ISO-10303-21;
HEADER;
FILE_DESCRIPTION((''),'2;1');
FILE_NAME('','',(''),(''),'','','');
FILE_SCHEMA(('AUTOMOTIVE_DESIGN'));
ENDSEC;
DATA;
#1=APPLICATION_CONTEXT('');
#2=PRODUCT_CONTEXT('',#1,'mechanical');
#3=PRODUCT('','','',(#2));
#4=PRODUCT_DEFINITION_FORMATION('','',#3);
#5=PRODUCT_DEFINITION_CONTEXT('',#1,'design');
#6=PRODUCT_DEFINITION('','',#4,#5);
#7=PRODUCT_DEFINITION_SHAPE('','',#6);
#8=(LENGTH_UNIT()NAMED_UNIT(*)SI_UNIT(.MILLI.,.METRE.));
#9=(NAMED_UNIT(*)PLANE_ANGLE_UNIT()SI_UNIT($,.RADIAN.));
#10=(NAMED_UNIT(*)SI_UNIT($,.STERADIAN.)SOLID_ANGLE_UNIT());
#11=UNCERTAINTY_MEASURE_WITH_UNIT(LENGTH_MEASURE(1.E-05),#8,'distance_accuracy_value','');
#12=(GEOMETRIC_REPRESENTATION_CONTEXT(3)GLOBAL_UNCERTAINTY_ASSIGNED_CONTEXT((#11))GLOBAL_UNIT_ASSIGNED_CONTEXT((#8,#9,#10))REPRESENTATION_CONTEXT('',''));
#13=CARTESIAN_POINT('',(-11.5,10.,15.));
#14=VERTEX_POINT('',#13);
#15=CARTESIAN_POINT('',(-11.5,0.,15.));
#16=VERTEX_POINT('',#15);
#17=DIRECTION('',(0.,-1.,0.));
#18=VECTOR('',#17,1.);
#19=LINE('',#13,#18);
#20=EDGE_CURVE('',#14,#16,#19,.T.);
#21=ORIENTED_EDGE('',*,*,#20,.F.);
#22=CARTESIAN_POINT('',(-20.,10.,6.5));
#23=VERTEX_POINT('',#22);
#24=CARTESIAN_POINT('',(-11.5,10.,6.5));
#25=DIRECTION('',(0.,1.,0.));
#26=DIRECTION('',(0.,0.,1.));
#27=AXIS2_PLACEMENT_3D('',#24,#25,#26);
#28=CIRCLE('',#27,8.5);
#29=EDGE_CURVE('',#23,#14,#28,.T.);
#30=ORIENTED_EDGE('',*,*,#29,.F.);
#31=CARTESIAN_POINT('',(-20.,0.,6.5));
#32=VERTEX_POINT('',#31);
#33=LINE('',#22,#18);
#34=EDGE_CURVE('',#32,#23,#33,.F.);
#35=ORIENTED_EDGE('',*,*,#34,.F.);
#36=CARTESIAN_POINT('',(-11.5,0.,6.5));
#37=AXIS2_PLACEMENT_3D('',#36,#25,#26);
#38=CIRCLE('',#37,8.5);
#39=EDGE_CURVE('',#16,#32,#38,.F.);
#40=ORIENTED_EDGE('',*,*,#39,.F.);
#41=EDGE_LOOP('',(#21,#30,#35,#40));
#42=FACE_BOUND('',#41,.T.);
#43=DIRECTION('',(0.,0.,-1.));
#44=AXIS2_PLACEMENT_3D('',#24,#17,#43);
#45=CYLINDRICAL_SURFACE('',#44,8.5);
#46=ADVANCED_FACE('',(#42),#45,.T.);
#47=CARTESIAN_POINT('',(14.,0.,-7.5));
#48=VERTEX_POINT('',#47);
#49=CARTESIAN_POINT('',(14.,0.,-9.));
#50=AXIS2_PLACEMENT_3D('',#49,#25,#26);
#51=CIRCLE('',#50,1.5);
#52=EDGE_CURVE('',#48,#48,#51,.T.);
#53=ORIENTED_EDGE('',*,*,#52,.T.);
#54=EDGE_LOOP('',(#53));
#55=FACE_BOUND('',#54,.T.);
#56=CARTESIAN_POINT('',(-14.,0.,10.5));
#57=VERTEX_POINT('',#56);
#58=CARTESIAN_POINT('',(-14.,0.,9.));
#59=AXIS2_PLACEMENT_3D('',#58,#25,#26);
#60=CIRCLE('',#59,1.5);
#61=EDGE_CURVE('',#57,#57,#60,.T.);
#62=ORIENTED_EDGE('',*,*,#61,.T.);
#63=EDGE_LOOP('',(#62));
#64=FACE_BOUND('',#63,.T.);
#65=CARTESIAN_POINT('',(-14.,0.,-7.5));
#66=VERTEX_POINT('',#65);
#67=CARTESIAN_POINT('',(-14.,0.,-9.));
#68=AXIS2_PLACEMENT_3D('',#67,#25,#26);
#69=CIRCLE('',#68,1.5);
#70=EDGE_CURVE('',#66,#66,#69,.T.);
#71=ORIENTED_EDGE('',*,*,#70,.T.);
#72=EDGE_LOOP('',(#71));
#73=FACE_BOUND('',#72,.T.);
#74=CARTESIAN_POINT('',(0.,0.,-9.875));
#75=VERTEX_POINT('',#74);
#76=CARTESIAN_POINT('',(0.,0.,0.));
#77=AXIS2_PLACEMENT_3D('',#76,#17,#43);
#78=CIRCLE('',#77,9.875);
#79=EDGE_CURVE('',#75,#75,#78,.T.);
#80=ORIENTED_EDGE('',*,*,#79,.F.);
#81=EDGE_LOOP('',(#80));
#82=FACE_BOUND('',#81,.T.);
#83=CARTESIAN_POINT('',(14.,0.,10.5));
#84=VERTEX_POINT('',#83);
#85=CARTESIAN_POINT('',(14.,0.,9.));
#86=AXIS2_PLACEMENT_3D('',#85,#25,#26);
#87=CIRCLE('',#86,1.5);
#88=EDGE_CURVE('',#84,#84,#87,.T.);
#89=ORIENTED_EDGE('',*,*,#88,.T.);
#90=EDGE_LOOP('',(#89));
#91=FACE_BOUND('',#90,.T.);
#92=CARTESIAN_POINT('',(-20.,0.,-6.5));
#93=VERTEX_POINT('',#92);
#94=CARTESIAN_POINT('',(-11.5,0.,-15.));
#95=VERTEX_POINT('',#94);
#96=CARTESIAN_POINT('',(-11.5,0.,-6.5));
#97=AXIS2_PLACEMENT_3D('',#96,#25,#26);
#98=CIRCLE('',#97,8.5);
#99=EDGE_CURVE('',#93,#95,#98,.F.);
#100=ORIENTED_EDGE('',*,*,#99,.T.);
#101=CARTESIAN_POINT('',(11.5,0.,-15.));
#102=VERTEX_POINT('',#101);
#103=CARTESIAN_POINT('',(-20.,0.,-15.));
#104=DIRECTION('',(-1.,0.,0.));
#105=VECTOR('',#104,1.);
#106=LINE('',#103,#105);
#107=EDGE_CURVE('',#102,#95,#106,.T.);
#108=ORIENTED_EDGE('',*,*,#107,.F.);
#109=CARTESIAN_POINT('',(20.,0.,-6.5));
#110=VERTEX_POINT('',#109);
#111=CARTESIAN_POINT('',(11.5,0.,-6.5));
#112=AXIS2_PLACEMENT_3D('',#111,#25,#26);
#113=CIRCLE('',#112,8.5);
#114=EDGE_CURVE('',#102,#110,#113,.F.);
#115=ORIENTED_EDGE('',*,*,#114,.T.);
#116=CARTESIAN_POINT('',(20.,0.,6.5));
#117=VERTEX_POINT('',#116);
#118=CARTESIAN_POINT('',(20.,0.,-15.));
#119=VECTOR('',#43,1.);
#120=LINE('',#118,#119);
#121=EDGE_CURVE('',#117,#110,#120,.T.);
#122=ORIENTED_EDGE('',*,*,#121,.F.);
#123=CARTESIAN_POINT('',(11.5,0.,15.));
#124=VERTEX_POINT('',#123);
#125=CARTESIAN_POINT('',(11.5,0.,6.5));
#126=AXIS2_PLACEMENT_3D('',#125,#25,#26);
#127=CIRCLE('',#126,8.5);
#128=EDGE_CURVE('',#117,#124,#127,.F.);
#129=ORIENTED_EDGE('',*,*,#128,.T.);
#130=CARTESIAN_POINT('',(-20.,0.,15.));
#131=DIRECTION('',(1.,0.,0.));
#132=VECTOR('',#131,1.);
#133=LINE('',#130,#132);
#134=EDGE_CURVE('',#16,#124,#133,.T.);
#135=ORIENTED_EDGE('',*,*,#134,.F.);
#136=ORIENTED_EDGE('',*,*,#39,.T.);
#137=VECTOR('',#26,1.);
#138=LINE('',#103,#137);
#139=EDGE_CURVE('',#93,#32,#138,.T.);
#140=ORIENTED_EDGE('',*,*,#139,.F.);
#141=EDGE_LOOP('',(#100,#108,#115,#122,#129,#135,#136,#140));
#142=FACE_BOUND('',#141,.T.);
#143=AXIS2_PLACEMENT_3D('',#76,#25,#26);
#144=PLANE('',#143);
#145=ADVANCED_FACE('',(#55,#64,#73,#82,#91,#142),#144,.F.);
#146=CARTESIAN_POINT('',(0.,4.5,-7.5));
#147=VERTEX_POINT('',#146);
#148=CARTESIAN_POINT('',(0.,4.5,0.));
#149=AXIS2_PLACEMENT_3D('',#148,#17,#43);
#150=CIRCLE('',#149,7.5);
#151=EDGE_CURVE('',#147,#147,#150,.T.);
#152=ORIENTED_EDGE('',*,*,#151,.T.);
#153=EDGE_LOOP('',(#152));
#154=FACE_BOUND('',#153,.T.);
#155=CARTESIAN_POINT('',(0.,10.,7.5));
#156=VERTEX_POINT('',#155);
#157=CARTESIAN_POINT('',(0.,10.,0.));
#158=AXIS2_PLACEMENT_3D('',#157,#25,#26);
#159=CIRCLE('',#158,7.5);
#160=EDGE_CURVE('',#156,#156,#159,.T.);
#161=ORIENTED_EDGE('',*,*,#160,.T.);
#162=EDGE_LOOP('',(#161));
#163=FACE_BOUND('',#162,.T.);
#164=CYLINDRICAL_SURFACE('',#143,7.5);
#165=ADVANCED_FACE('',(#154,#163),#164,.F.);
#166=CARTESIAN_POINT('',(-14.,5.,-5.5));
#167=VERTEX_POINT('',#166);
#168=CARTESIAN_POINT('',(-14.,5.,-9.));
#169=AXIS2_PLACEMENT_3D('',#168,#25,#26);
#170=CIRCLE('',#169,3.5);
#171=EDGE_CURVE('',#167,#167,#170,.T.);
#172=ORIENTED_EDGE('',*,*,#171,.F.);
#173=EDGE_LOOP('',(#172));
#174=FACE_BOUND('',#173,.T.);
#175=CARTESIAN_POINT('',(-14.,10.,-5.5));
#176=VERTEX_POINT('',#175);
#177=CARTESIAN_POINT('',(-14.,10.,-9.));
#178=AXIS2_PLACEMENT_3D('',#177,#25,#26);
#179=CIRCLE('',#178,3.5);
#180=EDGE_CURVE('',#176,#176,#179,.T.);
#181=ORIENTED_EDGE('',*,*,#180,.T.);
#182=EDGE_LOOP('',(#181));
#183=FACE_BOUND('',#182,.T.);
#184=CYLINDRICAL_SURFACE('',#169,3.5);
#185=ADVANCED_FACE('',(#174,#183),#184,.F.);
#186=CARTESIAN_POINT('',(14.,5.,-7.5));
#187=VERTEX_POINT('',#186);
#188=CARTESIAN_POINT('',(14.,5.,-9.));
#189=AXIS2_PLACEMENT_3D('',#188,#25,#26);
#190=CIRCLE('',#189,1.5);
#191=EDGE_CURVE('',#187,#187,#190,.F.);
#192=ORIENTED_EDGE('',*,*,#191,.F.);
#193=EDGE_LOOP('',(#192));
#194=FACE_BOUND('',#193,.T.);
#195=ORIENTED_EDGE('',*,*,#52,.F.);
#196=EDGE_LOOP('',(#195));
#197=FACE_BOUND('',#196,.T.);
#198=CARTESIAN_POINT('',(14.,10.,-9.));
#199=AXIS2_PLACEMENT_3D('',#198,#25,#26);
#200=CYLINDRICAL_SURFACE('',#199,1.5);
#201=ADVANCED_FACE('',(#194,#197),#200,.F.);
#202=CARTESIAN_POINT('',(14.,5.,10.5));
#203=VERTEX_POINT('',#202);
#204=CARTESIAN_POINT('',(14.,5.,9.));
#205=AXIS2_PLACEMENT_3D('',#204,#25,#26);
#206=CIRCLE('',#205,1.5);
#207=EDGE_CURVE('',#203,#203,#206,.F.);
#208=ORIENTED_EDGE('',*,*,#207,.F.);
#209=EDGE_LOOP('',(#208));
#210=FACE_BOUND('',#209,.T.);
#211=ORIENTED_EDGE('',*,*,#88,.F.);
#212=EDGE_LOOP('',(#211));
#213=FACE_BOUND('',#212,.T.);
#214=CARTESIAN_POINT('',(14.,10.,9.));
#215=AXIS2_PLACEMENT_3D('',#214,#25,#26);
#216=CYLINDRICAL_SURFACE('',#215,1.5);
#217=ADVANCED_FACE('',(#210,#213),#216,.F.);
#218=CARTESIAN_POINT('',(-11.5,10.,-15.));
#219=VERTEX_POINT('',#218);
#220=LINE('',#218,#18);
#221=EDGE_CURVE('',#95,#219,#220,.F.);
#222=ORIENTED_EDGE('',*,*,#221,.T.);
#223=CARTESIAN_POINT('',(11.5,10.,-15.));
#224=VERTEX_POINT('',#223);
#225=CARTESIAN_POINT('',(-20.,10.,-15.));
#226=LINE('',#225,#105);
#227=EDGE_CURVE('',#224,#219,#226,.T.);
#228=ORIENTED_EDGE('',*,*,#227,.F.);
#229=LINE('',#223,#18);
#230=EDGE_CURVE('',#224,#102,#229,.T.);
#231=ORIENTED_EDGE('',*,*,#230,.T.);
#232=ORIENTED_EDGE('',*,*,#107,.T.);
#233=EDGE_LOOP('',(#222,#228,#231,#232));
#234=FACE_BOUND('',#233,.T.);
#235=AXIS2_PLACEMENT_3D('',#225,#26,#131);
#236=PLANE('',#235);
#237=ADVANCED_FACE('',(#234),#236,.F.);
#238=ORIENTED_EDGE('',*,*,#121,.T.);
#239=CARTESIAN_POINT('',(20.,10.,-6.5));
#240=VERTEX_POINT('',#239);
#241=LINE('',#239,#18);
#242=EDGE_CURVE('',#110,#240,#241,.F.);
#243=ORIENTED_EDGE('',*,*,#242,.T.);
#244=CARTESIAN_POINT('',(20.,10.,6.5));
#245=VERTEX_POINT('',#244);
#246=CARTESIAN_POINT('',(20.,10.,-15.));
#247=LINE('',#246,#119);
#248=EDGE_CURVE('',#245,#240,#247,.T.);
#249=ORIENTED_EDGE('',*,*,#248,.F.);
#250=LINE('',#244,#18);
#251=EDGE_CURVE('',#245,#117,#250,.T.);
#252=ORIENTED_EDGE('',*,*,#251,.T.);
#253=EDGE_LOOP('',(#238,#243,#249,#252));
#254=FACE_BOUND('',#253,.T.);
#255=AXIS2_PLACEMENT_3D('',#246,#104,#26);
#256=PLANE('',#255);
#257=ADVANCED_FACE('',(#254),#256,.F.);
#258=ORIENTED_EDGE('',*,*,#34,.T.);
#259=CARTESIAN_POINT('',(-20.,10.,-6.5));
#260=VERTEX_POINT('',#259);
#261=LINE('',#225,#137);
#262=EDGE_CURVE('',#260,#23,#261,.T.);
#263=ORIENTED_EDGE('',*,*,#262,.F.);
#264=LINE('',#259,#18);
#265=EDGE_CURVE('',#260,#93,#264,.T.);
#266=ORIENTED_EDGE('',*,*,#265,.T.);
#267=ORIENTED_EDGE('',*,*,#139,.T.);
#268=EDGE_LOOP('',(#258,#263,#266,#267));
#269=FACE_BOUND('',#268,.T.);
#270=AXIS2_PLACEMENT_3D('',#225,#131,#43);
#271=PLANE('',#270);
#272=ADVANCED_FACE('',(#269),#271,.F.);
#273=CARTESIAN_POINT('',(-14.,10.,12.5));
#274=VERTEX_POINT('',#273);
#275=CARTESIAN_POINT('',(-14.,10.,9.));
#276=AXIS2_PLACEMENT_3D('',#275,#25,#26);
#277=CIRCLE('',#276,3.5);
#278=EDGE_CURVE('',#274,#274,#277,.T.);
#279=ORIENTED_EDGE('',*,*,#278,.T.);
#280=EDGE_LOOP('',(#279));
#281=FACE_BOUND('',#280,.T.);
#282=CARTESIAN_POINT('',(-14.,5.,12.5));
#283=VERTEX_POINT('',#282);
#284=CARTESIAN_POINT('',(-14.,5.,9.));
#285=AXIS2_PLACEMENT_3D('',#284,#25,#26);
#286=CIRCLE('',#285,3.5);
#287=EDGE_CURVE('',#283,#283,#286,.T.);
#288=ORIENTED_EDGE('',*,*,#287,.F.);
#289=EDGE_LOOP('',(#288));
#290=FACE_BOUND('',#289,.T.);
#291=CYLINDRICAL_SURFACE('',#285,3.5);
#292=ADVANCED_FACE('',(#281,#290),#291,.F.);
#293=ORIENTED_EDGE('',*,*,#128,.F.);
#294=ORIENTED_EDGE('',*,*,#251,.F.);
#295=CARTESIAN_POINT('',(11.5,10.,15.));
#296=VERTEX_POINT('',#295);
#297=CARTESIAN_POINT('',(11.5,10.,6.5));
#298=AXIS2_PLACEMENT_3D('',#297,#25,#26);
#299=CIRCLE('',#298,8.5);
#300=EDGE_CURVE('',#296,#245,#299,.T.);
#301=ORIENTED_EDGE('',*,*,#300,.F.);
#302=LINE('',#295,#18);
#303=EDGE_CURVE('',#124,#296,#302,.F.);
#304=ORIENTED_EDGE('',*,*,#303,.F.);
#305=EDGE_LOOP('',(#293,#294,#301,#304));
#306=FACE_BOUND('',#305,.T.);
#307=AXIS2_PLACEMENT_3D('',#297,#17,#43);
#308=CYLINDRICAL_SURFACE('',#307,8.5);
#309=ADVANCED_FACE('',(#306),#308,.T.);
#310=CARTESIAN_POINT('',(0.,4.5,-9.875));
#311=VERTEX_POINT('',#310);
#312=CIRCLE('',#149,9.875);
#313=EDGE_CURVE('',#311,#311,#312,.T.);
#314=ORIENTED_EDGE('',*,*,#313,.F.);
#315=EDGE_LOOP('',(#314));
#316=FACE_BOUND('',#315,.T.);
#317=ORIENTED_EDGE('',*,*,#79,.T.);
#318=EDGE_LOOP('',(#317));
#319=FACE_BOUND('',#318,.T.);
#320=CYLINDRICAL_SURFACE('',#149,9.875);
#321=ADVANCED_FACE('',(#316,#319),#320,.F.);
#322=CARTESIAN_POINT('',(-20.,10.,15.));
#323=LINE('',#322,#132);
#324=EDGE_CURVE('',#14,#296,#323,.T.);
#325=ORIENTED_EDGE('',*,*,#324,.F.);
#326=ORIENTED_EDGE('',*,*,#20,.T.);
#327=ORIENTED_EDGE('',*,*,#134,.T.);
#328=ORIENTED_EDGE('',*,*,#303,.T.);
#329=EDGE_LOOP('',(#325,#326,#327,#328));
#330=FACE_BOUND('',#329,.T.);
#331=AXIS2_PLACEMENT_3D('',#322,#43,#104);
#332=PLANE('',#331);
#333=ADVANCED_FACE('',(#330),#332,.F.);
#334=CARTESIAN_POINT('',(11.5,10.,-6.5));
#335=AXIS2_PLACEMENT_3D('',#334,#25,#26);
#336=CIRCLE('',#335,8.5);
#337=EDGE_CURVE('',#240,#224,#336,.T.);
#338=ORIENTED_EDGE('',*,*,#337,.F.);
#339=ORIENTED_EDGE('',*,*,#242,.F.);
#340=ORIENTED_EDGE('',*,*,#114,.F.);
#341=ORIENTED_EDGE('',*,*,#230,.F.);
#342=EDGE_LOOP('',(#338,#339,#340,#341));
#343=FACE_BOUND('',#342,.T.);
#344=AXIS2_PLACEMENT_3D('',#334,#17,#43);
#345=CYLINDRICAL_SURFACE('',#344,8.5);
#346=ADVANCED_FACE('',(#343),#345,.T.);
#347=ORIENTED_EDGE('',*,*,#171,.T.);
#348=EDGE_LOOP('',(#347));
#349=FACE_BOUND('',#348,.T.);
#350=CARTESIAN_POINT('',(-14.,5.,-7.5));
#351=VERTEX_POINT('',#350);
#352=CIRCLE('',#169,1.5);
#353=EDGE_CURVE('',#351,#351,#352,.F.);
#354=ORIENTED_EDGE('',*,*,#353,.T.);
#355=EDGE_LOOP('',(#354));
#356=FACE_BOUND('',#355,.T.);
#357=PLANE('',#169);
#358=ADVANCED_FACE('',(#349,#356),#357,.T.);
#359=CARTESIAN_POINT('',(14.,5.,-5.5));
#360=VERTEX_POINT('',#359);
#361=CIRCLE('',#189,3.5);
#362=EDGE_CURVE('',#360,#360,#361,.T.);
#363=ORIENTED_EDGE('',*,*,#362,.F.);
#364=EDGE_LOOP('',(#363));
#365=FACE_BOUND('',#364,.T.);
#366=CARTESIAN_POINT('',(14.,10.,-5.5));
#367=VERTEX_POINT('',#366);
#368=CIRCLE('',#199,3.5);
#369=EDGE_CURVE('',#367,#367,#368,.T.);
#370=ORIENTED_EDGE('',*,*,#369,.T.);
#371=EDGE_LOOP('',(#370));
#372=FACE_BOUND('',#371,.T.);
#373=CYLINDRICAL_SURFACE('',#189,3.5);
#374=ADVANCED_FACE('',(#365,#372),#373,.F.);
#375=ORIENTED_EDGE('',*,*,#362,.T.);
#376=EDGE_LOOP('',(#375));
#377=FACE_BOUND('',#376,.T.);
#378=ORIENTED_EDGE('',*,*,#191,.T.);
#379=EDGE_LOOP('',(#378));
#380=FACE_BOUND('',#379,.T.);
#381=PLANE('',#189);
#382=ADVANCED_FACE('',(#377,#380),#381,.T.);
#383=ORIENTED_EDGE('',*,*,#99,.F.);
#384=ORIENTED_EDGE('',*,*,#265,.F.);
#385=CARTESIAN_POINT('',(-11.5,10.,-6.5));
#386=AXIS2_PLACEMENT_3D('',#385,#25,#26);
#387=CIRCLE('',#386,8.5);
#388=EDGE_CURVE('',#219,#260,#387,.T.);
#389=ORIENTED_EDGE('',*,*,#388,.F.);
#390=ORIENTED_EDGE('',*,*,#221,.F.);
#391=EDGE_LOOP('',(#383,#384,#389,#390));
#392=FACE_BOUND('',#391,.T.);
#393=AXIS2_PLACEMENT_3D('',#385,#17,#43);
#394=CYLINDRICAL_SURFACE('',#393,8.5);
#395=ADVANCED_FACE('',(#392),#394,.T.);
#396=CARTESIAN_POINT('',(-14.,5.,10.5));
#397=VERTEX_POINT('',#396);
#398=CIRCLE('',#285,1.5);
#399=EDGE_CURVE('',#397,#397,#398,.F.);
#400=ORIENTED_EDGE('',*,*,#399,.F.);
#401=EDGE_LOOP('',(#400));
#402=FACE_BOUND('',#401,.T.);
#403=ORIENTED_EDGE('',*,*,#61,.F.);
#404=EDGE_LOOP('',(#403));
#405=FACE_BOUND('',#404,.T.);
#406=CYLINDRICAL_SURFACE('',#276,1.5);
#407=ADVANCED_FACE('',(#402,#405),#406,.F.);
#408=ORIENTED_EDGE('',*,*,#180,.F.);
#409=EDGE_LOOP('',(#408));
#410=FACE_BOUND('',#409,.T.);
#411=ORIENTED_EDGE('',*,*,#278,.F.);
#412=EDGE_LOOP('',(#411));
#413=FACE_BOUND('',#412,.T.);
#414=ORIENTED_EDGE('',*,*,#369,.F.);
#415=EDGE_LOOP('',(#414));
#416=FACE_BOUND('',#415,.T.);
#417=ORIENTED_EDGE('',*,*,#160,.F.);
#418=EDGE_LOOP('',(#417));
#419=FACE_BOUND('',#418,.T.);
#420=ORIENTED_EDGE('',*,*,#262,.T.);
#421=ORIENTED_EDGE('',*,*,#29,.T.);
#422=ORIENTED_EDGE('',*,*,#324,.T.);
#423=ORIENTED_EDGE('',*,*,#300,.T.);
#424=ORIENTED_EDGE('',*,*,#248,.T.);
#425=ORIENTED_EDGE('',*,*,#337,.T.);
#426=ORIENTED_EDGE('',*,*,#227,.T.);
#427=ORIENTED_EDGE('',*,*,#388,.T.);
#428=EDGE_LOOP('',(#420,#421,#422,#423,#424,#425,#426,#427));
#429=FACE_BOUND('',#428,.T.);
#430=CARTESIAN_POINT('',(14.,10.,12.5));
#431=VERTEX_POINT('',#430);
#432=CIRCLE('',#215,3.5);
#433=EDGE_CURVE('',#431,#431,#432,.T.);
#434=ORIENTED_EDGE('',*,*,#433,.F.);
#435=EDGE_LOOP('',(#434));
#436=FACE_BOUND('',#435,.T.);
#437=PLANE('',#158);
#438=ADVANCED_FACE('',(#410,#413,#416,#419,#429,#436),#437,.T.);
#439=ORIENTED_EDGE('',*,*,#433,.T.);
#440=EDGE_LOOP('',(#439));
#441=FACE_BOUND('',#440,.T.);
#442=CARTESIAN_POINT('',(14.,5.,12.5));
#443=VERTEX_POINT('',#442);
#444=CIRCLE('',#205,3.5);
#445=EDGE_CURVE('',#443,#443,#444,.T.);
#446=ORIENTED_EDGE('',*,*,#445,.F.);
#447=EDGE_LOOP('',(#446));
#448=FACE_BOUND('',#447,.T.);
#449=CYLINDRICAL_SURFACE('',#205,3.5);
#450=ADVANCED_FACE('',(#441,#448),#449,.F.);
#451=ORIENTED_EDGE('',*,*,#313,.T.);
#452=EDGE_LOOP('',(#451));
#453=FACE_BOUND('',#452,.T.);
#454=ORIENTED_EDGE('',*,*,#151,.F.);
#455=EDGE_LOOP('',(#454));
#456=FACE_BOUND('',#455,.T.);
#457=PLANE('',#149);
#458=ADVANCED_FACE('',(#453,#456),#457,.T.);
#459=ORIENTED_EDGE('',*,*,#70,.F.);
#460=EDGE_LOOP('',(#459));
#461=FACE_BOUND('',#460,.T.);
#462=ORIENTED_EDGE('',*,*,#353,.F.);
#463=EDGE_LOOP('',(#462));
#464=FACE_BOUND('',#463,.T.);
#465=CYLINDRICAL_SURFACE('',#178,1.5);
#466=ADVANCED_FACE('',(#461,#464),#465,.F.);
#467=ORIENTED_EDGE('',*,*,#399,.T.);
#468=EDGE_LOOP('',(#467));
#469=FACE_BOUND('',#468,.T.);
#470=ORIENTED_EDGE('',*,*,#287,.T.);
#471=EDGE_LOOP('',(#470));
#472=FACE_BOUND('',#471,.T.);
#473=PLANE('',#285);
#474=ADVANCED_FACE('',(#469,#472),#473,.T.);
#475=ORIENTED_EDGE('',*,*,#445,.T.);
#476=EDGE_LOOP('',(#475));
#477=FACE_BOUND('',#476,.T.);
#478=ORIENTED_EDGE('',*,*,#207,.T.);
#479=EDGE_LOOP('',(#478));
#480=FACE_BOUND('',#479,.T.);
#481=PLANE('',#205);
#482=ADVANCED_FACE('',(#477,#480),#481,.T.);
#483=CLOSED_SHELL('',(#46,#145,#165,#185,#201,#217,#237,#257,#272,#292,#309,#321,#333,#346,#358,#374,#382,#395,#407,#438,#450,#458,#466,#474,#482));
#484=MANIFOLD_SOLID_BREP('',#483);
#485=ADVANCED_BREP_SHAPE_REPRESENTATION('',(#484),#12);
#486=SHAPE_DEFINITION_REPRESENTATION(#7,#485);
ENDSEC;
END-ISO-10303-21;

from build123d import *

# Parameters (mm, degrees)
SKETCH1_W             = 40
SKETCH1_H             = 30
BOSS_EXTRUDE1_DEPTH   = 10
SKETCH3_R             = 9.875
CUT_EXTRUDE1_DEPTH    = 4.5
SKETCH4_R             = 7.5
CUT_EXTRUDE2_DEPTH    = 27.925824036
F_3_0MM_DOWEL_HOLE1_D = 3
FILLET1_R             = 8.5
SKETCH9_R             = 3.5
CUT_EXTRUDE3_DEPTH    = 5


with BuildPart() as part:
    # Sketch1 → Boss-Extrude1 (new body)
    with BuildSketch(Plane(origin=(0, 0, 0), x_dir=(1, 0, 0), z_dir=(0, 1, 0))):
        Rectangle(SKETCH1_W, SKETCH1_H)
    extrude(amount=BOSS_EXTRUDE1_DEPTH)

    # Sketch3 → Cut-Extrude1 (cut)
    with BuildSketch(Plane.XZ):
        with Locations(Location((0, 0, 0), (0, 0, 270))):
            Circle(SKETCH3_R)
    extrude(amount=-CUT_EXTRUDE1_DEPTH, mode=Mode.SUBTRACT)

    # Sketch4 → Cut-Extrude2 (cut, through all)
    with BuildSketch(Plane(origin=(0, 10, 0), x_dir=(1, 0, 0), z_dir=(0, 1, 0))):
        with Locations(Location((0, 0, 0), (0, 0, 270))):
            Circle(SKETCH4_R)
    extrude(amount=-CUT_EXTRUDE2_DEPTH, mode=Mode.SUBTRACT)

    # Ø3.0mm Dowel Hole1 (through all)
    with Locations(Plane(origin=(0, 10, 0), x_dir=(1, 0, 0), z_dir=(0, 1, 0))):
        with Locations((-14, 9), (-14, -9), (14, -9), (14, 9)):
            Hole(F_3_0MM_DOWEL_HOLE1_D / 2)

    # Fillet1
    fillet1_edges = [part.edges().sort_by_distance(p)[0] for p in [
        (20, 5, 15),
        (-20, 5, 15),
        (-20, 5, -15),
        (20, 5, -15),
    ]]
    fillet(fillet1_edges, radius=FILLET1_R)

    # Sketch9 → Cut-Extrude3 (cut)
    with BuildSketch(Plane(origin=(0, 10, 0), x_dir=(1, 0, 0), z_dir=(0, 1, 0))):
        with Locations(Location((14, -9, 0), (0, 0, 270))):
            Circle(SKETCH9_R)
        with Locations(Location((-14, -9, 0), (0, 0, 270))):
            Circle(SKETCH9_R)
        with Locations(Location((-14, 9, 0), (0, 0, 270))):
            Circle(SKETCH9_R)
        with Locations(Location((14, 9, 0), (0, 0, 270))):
            Circle(SKETCH9_R)
    extrude(amount=-CUT_EXTRUDE3_DEPTH, mode=Mode.SUBTRACT)


solid = part.part
